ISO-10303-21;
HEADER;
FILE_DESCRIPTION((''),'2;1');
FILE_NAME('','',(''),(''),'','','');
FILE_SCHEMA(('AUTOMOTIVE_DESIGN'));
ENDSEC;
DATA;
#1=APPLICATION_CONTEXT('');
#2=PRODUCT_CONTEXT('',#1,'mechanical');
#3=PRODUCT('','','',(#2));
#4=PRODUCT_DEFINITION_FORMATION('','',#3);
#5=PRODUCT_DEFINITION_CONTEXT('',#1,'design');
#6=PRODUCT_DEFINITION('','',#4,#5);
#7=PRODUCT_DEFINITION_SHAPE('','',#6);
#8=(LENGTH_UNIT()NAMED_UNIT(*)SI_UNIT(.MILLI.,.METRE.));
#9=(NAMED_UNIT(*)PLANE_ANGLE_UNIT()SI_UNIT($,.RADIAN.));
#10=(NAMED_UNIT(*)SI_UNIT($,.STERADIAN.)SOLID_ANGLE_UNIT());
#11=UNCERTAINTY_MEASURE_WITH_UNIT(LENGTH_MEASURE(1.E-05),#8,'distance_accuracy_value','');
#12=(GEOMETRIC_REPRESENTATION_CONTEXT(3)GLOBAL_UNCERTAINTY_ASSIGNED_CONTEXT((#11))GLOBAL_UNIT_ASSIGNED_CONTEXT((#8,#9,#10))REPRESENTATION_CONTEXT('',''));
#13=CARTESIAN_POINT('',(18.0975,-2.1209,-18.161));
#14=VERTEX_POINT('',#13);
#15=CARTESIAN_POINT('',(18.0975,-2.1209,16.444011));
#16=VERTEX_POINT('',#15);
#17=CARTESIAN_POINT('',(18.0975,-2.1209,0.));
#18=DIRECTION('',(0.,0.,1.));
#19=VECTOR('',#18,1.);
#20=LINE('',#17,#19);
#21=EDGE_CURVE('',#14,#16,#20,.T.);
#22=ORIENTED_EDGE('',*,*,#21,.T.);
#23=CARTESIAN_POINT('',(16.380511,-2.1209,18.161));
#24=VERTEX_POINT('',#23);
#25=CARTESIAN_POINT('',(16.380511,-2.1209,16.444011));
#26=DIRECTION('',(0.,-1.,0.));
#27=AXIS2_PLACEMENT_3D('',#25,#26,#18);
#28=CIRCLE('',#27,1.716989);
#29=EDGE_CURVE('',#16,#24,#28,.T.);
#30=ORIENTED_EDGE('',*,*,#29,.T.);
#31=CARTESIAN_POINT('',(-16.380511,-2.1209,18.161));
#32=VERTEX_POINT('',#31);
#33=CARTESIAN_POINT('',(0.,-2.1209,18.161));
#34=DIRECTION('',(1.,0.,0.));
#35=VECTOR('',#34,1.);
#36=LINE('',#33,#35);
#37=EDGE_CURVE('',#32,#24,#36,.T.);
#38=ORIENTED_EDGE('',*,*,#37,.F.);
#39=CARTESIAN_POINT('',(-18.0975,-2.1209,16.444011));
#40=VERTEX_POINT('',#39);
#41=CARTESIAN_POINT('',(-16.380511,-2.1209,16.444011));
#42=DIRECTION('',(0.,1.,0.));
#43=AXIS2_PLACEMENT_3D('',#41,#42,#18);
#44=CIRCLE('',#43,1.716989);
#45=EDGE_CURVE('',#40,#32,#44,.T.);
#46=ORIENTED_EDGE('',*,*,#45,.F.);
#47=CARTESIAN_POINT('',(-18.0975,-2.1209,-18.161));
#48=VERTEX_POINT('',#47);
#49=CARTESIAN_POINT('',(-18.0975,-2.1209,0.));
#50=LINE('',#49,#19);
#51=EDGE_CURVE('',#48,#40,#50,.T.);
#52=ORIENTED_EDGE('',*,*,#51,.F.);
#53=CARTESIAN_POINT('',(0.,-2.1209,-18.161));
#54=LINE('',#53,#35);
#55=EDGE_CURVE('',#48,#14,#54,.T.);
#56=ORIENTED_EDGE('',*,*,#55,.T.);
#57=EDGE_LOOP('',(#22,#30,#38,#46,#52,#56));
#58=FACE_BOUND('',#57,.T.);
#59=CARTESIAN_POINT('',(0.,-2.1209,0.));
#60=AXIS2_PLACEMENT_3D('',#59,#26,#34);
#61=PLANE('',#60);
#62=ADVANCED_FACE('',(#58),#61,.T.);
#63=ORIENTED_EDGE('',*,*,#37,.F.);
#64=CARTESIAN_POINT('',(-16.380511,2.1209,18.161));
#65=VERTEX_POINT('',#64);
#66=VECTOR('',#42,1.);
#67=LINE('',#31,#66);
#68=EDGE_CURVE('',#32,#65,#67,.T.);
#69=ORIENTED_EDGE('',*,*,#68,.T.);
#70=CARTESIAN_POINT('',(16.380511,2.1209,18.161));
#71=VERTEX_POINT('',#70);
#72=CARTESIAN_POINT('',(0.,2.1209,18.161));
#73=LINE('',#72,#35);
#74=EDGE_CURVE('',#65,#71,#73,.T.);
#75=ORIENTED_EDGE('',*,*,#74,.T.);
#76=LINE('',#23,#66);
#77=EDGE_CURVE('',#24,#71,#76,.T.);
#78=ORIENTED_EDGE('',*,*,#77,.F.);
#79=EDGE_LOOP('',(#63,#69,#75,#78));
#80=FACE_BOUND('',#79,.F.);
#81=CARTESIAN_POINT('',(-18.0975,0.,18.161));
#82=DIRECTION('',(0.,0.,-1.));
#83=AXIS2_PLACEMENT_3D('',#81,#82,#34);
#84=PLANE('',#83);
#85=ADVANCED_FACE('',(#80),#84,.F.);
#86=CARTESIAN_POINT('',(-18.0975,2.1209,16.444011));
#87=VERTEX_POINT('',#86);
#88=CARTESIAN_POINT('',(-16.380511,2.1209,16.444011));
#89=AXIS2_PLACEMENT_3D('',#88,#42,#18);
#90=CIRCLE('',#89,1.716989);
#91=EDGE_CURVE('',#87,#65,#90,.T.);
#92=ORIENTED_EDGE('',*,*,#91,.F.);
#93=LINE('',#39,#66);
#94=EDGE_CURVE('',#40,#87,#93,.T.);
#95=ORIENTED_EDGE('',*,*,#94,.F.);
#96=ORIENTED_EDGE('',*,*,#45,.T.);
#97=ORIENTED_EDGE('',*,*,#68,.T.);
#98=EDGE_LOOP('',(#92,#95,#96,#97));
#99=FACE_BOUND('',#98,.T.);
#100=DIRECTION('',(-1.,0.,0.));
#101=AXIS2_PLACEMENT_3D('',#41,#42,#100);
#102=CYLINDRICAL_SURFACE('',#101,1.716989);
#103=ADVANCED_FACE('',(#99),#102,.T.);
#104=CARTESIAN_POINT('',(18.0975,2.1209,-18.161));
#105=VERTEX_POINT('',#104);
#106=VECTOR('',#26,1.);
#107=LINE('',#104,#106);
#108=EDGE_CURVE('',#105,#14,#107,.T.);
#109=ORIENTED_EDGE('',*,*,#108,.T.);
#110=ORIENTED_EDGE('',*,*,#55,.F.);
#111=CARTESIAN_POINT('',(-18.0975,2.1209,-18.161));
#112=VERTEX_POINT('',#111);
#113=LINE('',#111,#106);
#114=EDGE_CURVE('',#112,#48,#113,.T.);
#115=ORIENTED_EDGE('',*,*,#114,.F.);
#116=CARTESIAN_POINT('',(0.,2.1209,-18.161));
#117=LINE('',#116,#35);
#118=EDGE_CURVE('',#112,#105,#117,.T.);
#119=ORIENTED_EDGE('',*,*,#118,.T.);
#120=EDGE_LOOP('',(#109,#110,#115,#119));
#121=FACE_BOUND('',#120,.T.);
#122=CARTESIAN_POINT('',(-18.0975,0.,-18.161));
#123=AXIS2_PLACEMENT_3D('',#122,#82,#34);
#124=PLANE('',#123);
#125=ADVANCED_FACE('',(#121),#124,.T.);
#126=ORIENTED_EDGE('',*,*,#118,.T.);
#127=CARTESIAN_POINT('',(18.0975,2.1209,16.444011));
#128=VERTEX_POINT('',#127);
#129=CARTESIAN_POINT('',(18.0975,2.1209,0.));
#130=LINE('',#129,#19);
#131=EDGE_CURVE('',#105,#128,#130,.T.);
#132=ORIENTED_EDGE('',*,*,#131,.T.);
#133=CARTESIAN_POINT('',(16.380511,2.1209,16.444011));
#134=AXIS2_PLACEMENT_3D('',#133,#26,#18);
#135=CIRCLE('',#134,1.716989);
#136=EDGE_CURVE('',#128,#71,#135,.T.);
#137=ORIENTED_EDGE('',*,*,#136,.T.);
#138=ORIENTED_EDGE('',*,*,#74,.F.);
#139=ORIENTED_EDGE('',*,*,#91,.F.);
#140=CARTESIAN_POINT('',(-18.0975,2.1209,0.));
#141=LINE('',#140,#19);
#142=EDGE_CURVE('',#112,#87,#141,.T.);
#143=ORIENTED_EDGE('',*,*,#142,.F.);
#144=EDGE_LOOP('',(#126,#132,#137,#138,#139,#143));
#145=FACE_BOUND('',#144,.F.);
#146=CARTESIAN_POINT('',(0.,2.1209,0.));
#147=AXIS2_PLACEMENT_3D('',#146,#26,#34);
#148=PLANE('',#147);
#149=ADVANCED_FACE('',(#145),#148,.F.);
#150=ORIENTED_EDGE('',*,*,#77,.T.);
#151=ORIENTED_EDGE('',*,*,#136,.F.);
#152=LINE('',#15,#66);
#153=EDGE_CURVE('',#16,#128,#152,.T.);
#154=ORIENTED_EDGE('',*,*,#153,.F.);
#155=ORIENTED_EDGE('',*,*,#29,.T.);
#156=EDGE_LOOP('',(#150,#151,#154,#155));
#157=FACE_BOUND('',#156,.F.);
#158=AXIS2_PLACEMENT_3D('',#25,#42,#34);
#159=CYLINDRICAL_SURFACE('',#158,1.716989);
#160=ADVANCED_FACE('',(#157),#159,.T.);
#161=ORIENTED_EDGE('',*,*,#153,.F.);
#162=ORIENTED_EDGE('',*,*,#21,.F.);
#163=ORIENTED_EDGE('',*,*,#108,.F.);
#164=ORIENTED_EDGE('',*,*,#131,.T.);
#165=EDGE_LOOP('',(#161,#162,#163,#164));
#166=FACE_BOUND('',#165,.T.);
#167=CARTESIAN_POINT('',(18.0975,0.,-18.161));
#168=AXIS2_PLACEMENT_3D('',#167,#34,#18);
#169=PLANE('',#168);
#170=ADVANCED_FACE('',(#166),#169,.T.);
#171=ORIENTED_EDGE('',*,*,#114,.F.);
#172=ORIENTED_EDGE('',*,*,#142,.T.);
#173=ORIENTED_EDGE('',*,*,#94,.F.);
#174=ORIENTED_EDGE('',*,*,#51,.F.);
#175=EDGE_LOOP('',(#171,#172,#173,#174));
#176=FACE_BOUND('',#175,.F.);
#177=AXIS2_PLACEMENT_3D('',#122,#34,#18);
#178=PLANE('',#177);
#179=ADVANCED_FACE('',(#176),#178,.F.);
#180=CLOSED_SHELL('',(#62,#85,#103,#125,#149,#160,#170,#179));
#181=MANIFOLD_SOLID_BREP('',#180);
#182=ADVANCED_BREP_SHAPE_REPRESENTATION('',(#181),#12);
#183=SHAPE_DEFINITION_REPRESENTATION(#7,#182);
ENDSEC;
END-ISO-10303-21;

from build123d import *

# Parameters (mm, degrees)
F0_W     = 36.195
F0_H     = 36.322
F1_DEPTH = 2.1209
F2_R     = 1.716989


with BuildPart() as f1:
    # F0 (on Front) → F1 (new body, symmetric)
    with BuildSketch(Plane.XZ):
        Rectangle(F0_W, F0_H)
    extrude(amount=F1_DEPTH, both=True)

    # F2
    f2_edges = [f1.edges().sort_by_distance(p)[0] for p in [
        (-18.0975, 0, 18.161),
        (18.0975, 0, 18.161),
    ]]
    fillet(f2_edges, radius=F2_R)


solid = f1.part
